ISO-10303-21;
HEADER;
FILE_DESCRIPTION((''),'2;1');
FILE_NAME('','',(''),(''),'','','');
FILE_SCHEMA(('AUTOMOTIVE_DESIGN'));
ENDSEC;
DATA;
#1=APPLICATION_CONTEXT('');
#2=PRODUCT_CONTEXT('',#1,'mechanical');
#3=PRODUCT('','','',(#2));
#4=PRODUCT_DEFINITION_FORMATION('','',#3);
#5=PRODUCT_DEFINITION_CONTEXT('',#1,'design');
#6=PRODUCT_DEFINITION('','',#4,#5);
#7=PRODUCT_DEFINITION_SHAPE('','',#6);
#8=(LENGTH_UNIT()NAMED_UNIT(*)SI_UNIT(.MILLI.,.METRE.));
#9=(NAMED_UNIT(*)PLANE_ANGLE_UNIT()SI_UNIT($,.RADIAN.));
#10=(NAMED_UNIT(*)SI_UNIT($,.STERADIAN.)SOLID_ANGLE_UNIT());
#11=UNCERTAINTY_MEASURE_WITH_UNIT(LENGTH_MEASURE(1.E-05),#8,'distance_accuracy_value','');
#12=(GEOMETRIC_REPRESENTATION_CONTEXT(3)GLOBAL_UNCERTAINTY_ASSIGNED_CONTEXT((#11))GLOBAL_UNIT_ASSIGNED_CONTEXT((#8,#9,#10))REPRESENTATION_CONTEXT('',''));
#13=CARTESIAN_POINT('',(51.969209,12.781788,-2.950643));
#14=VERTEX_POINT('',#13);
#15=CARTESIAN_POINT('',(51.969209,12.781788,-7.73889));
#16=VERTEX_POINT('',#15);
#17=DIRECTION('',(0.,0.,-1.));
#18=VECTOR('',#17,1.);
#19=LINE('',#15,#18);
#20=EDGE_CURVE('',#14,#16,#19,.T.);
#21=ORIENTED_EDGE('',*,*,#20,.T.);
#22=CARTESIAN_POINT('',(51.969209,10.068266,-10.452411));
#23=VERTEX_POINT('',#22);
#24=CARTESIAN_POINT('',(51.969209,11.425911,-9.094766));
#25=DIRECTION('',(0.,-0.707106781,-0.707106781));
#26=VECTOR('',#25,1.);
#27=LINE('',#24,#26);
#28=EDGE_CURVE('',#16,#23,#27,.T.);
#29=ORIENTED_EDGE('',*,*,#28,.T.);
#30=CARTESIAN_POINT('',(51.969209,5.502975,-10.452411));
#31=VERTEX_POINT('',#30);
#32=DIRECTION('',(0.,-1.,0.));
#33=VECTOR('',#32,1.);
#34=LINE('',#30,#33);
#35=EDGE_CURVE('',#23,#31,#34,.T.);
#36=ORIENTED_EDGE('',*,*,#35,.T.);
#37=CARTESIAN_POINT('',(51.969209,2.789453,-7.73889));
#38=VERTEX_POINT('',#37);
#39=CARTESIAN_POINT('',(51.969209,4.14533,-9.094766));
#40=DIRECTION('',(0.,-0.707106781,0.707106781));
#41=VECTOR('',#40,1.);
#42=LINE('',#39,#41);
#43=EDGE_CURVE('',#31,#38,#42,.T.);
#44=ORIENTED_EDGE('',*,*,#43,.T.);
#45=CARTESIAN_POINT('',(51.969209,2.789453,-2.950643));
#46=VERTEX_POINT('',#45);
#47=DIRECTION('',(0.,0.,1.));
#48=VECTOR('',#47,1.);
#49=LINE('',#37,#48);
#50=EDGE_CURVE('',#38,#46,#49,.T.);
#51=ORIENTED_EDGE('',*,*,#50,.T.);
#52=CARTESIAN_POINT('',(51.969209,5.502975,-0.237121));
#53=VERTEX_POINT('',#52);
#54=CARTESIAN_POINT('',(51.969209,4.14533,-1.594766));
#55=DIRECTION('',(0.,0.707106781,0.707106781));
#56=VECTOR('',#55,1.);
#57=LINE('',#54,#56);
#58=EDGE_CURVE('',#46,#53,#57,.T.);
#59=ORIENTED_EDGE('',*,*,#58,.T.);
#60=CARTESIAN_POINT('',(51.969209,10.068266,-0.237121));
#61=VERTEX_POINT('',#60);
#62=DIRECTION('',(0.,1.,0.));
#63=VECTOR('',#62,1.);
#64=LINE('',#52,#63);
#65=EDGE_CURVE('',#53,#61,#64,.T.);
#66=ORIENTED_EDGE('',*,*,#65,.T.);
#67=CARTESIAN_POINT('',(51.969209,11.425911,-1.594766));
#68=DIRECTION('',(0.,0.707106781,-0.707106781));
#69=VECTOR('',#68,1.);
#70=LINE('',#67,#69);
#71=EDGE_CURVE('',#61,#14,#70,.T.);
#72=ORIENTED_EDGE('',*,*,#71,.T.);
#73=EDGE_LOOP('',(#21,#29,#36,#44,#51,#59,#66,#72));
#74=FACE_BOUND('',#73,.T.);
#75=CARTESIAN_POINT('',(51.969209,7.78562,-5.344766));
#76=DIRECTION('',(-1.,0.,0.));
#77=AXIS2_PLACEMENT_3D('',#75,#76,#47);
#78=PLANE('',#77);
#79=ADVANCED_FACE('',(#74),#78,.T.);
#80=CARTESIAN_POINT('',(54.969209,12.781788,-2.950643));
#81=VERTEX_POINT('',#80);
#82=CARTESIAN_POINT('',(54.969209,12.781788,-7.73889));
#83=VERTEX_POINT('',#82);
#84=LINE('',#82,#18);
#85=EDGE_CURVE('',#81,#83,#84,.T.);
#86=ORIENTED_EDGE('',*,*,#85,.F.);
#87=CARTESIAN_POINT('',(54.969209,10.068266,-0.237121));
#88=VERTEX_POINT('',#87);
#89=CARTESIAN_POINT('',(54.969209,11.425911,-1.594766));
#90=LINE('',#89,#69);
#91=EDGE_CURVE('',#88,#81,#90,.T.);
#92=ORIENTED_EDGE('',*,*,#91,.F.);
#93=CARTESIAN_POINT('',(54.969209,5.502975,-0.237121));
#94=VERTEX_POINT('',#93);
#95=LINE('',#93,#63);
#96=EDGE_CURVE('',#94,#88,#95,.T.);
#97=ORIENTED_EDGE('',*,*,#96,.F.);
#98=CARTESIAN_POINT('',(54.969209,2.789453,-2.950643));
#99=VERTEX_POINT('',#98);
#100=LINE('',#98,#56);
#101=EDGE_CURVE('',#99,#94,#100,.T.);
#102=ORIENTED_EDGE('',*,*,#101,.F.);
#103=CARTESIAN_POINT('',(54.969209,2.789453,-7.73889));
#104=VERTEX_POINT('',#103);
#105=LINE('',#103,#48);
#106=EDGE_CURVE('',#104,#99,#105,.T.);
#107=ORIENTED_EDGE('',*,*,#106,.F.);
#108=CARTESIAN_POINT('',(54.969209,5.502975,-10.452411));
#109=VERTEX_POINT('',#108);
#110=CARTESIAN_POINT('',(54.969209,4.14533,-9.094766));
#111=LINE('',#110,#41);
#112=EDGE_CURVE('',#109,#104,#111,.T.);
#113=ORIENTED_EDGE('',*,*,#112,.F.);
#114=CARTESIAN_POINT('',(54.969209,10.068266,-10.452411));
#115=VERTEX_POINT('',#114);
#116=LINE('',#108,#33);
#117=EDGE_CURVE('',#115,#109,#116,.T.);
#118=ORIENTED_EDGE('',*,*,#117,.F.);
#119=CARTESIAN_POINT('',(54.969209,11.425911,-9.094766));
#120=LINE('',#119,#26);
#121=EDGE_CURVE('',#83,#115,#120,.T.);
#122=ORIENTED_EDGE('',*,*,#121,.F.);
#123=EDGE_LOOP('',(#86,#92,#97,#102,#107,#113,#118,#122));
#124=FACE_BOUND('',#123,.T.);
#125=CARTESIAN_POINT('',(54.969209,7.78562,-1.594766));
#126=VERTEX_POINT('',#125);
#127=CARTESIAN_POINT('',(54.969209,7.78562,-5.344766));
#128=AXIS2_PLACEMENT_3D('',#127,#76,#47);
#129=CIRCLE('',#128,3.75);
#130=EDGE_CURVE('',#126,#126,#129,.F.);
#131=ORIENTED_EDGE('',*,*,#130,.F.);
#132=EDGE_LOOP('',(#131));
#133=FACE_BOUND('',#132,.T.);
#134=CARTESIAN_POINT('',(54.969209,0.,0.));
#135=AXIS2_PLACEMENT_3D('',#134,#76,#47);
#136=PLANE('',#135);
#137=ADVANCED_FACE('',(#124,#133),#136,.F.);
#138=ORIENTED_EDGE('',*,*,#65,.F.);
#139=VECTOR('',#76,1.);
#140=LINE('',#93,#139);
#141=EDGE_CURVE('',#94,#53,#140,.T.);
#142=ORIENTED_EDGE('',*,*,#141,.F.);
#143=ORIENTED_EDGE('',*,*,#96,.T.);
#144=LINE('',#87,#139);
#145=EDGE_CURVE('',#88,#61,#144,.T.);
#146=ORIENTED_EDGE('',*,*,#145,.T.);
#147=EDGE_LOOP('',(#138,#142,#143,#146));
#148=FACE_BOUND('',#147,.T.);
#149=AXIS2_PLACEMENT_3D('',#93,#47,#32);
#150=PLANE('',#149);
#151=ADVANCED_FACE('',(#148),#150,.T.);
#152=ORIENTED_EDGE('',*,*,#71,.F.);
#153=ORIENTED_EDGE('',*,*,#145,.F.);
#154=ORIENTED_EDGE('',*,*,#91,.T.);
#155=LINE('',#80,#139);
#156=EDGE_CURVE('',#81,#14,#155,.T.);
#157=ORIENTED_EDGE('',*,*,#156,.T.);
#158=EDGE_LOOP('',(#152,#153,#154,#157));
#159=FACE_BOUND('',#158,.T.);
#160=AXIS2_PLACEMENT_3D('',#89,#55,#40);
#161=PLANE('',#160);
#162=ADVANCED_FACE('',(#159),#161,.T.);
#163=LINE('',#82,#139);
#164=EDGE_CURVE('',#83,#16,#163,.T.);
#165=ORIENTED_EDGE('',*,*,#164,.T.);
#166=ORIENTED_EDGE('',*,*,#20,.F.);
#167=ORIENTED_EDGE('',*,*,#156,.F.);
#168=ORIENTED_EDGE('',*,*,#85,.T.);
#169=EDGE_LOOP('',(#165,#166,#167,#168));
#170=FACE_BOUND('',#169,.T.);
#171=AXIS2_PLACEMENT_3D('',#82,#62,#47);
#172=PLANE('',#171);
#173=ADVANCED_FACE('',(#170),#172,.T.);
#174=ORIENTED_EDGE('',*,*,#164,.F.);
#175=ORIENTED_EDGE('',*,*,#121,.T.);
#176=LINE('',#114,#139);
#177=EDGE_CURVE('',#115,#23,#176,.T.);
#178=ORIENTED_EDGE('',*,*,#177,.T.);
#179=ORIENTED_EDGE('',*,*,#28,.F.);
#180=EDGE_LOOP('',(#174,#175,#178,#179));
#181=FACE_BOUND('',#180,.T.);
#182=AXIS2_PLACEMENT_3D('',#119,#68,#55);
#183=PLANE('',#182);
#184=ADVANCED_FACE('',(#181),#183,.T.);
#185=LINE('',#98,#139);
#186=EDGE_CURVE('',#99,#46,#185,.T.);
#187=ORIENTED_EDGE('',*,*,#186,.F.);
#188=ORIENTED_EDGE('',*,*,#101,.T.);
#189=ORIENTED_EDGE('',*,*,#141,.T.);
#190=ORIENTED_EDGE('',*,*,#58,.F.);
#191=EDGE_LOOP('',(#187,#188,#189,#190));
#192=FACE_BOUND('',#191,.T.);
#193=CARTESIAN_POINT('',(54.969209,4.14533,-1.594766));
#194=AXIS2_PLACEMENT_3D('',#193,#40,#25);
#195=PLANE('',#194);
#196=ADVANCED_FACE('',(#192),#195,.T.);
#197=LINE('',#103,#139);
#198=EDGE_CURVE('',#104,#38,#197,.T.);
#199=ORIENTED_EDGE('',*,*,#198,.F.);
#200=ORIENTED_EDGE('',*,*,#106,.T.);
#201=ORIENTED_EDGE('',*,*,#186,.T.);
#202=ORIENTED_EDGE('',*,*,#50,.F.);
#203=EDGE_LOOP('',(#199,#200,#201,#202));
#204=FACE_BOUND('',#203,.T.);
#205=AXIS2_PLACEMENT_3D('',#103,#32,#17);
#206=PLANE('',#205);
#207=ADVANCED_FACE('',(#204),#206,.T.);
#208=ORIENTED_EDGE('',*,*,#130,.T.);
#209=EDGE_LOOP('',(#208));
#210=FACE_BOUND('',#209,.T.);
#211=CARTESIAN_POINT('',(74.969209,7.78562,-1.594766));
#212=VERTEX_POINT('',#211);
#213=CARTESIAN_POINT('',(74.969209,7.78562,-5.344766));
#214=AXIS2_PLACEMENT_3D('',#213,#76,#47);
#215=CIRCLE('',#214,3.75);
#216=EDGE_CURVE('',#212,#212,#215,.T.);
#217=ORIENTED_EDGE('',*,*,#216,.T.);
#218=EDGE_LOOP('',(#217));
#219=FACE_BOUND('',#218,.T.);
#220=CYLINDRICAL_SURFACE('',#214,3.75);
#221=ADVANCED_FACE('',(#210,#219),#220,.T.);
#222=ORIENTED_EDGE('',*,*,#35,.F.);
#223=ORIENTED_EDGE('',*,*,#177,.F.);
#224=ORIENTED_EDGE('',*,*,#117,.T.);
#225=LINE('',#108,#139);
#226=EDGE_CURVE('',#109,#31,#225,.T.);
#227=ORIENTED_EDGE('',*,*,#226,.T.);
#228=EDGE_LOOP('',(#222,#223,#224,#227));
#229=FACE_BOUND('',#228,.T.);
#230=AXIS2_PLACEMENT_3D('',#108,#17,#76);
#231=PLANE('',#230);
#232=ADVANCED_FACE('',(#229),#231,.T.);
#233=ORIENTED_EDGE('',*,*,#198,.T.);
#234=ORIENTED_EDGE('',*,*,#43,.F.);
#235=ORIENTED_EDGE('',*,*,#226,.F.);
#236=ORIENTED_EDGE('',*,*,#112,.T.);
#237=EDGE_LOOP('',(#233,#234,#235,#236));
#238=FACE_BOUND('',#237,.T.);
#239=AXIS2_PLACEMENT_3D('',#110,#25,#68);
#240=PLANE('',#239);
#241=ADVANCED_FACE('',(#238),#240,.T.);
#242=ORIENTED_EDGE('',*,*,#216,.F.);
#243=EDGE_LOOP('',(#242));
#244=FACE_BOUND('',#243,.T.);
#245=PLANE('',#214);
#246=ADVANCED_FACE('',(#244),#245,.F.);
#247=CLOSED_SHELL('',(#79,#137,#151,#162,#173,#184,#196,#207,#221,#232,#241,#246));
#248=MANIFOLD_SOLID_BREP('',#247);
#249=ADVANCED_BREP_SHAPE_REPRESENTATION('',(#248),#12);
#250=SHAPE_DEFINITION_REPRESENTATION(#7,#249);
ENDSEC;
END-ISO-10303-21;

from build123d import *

# Parameters (mm, degrees)
SKETCH1_R                = 3.75
BOSS_EXTRUDE1_DEPTH      = 14
BOSS_EXTRUDE1_DEPTH_BACK = 9
BOSS_EXTRUDE2_DEPTH      = 3


with BuildPart() as part:
    # Sketch1 → Boss-Extrude1 (new body, two sides)
    with BuildSketch(Plane.ZY.offset(-65.969208633)) as boss_extrude1_sk:
        with Locations((-5.344766421, 7.785620452)):
            Circle(SKETCH1_R)
    extrude(amount=BOSS_EXTRUDE1_DEPTH)
    extrude(boss_extrude1_sk.sketch, amount=-BOSS_EXTRUDE1_DEPTH_BACK)

    # Sketch2 → Boss-Extrude2 (add)
    with BuildSketch(Plane.ZY.offset(-51.969208633)):
        Polygon((-9.094766421, 11.42591126), (-7.738890169, 12.781787511), (-2.950642672, 12.781787511), (-1.594766421, 11.42591126), (-0.237121401, 10.06826624), (-0.237121401, 5.502974665), (-1.594766421, 4.145329645), (-2.950642672, 2.789453394), (-7.738890169, 2.789453394), (-9.094766421, 4.145329645), (-10.45241144, 5.502974665), (-10.45241144, 10.06826624), align=None)
    extrude(amount=-BOSS_EXTRUDE2_DEPTH)


solid = part.part
